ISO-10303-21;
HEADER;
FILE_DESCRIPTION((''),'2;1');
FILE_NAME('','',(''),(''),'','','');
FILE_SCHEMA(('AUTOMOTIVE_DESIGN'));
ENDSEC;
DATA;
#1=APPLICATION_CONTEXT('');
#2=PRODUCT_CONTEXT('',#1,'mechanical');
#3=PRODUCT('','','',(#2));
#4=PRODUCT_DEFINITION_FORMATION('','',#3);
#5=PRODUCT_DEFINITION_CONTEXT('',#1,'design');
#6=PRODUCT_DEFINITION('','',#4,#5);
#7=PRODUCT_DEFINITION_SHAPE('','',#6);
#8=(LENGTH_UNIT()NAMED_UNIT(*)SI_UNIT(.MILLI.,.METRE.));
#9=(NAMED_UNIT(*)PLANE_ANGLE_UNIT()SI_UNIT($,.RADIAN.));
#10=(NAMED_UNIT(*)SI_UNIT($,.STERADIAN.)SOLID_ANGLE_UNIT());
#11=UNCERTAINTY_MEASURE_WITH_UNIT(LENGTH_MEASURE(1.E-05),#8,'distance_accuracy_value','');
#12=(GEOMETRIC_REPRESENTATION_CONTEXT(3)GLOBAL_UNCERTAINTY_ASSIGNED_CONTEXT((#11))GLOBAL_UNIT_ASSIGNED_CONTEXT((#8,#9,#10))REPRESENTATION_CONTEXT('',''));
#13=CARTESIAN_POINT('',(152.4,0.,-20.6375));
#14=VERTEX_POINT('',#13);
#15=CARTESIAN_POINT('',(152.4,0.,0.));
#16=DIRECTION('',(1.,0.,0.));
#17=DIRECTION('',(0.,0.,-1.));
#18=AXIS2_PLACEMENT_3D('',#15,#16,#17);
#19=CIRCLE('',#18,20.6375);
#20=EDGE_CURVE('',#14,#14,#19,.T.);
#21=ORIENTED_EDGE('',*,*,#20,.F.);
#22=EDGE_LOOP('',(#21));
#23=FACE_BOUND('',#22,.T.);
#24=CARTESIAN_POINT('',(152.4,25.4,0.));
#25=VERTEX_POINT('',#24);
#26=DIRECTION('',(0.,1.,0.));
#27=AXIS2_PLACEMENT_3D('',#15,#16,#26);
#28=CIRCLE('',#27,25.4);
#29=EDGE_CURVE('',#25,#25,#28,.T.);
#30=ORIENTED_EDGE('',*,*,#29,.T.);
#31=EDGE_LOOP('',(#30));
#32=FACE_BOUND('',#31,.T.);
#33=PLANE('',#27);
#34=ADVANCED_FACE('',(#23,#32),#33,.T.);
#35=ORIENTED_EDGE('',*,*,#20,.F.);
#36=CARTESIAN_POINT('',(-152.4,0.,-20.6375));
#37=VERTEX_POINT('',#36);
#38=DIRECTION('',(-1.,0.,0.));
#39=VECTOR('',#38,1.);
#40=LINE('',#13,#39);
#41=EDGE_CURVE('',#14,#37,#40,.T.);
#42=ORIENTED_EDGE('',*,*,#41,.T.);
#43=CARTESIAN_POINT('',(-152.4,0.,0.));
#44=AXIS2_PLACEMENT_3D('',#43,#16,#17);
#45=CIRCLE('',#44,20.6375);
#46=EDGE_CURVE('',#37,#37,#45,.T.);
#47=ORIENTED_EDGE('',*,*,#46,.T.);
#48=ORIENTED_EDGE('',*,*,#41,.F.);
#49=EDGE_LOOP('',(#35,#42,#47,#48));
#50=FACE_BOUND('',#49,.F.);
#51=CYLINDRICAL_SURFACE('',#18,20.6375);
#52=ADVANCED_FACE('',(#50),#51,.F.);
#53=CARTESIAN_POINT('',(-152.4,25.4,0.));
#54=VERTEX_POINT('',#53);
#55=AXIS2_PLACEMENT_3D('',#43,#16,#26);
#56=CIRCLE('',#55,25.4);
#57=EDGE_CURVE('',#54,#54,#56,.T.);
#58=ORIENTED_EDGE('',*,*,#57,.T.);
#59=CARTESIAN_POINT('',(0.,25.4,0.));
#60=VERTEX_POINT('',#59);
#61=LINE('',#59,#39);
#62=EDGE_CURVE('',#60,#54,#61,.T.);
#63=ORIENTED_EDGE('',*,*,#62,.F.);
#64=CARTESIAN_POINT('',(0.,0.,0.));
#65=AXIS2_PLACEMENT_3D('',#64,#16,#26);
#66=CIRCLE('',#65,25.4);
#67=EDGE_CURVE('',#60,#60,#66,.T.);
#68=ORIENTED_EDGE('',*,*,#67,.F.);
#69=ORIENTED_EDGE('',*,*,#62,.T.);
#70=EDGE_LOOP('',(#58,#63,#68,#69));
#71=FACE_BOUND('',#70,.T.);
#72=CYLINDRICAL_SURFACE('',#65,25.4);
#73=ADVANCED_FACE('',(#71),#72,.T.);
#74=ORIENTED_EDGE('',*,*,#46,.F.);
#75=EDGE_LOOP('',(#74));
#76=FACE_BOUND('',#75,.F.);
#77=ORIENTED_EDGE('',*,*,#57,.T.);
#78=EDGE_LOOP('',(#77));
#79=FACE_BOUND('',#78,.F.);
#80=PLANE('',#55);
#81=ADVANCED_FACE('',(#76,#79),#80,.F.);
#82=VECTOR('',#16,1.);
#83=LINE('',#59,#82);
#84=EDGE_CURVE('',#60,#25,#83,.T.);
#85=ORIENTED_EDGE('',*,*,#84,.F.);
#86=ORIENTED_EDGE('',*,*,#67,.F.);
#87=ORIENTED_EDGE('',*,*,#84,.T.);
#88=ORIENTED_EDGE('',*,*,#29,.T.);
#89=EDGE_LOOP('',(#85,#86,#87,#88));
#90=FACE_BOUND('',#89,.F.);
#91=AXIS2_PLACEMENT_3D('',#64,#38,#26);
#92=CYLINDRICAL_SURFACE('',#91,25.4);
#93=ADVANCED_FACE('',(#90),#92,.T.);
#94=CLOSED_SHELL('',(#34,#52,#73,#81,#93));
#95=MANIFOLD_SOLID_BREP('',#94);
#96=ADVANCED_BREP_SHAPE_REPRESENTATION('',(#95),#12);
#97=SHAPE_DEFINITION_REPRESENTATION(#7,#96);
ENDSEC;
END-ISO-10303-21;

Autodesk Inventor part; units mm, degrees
ref_plane "YZ Plane" through (0, 0, 0) normal (1, 0, 0) x (0, 1, 0)
ref_plane "XZ Plane" through (0, 0, 0) normal (0, 1, 0) x (-1, 0, 0)
ref_plane "XY Plane" through (0, 0, 0) normal (0, 0, 1) x (1, 0, 0)
sketch "Sketch1" plane through (0, 0, 0) normal (1, 0, 0) x (0, 1, 0)
  circle A0 centre (0, 0) radius 25.4
  dimension "d0" = 50.8
extrude "Extrusion1" add sketch "Sketch1" along normal mid plane 304.8
sketch "Sketch2" plane through (152.4, 0, 0) normal (1, 0, 0) x (0, 0, -1)
  circle A0 centre (0, 0) radius 25.4 projected
  circle A1 centre (0, 0) radius 20.6375
  dimension "d4" = 4.7625
extrude "Extrusion2" cut sketch "Sketch2" against normal through all contours A1
thread "Thread1" size "2-4.5 UNC" class "2A" standard "ANSI Unified Screw Threads" length 25.4
thread "Thread2" size "2-4.5 UNC" class "2A" standard "ANSI Unified Screw Threads" length 25.4
properties part number "2 Inch Pipe" material "Iron, Cast"
